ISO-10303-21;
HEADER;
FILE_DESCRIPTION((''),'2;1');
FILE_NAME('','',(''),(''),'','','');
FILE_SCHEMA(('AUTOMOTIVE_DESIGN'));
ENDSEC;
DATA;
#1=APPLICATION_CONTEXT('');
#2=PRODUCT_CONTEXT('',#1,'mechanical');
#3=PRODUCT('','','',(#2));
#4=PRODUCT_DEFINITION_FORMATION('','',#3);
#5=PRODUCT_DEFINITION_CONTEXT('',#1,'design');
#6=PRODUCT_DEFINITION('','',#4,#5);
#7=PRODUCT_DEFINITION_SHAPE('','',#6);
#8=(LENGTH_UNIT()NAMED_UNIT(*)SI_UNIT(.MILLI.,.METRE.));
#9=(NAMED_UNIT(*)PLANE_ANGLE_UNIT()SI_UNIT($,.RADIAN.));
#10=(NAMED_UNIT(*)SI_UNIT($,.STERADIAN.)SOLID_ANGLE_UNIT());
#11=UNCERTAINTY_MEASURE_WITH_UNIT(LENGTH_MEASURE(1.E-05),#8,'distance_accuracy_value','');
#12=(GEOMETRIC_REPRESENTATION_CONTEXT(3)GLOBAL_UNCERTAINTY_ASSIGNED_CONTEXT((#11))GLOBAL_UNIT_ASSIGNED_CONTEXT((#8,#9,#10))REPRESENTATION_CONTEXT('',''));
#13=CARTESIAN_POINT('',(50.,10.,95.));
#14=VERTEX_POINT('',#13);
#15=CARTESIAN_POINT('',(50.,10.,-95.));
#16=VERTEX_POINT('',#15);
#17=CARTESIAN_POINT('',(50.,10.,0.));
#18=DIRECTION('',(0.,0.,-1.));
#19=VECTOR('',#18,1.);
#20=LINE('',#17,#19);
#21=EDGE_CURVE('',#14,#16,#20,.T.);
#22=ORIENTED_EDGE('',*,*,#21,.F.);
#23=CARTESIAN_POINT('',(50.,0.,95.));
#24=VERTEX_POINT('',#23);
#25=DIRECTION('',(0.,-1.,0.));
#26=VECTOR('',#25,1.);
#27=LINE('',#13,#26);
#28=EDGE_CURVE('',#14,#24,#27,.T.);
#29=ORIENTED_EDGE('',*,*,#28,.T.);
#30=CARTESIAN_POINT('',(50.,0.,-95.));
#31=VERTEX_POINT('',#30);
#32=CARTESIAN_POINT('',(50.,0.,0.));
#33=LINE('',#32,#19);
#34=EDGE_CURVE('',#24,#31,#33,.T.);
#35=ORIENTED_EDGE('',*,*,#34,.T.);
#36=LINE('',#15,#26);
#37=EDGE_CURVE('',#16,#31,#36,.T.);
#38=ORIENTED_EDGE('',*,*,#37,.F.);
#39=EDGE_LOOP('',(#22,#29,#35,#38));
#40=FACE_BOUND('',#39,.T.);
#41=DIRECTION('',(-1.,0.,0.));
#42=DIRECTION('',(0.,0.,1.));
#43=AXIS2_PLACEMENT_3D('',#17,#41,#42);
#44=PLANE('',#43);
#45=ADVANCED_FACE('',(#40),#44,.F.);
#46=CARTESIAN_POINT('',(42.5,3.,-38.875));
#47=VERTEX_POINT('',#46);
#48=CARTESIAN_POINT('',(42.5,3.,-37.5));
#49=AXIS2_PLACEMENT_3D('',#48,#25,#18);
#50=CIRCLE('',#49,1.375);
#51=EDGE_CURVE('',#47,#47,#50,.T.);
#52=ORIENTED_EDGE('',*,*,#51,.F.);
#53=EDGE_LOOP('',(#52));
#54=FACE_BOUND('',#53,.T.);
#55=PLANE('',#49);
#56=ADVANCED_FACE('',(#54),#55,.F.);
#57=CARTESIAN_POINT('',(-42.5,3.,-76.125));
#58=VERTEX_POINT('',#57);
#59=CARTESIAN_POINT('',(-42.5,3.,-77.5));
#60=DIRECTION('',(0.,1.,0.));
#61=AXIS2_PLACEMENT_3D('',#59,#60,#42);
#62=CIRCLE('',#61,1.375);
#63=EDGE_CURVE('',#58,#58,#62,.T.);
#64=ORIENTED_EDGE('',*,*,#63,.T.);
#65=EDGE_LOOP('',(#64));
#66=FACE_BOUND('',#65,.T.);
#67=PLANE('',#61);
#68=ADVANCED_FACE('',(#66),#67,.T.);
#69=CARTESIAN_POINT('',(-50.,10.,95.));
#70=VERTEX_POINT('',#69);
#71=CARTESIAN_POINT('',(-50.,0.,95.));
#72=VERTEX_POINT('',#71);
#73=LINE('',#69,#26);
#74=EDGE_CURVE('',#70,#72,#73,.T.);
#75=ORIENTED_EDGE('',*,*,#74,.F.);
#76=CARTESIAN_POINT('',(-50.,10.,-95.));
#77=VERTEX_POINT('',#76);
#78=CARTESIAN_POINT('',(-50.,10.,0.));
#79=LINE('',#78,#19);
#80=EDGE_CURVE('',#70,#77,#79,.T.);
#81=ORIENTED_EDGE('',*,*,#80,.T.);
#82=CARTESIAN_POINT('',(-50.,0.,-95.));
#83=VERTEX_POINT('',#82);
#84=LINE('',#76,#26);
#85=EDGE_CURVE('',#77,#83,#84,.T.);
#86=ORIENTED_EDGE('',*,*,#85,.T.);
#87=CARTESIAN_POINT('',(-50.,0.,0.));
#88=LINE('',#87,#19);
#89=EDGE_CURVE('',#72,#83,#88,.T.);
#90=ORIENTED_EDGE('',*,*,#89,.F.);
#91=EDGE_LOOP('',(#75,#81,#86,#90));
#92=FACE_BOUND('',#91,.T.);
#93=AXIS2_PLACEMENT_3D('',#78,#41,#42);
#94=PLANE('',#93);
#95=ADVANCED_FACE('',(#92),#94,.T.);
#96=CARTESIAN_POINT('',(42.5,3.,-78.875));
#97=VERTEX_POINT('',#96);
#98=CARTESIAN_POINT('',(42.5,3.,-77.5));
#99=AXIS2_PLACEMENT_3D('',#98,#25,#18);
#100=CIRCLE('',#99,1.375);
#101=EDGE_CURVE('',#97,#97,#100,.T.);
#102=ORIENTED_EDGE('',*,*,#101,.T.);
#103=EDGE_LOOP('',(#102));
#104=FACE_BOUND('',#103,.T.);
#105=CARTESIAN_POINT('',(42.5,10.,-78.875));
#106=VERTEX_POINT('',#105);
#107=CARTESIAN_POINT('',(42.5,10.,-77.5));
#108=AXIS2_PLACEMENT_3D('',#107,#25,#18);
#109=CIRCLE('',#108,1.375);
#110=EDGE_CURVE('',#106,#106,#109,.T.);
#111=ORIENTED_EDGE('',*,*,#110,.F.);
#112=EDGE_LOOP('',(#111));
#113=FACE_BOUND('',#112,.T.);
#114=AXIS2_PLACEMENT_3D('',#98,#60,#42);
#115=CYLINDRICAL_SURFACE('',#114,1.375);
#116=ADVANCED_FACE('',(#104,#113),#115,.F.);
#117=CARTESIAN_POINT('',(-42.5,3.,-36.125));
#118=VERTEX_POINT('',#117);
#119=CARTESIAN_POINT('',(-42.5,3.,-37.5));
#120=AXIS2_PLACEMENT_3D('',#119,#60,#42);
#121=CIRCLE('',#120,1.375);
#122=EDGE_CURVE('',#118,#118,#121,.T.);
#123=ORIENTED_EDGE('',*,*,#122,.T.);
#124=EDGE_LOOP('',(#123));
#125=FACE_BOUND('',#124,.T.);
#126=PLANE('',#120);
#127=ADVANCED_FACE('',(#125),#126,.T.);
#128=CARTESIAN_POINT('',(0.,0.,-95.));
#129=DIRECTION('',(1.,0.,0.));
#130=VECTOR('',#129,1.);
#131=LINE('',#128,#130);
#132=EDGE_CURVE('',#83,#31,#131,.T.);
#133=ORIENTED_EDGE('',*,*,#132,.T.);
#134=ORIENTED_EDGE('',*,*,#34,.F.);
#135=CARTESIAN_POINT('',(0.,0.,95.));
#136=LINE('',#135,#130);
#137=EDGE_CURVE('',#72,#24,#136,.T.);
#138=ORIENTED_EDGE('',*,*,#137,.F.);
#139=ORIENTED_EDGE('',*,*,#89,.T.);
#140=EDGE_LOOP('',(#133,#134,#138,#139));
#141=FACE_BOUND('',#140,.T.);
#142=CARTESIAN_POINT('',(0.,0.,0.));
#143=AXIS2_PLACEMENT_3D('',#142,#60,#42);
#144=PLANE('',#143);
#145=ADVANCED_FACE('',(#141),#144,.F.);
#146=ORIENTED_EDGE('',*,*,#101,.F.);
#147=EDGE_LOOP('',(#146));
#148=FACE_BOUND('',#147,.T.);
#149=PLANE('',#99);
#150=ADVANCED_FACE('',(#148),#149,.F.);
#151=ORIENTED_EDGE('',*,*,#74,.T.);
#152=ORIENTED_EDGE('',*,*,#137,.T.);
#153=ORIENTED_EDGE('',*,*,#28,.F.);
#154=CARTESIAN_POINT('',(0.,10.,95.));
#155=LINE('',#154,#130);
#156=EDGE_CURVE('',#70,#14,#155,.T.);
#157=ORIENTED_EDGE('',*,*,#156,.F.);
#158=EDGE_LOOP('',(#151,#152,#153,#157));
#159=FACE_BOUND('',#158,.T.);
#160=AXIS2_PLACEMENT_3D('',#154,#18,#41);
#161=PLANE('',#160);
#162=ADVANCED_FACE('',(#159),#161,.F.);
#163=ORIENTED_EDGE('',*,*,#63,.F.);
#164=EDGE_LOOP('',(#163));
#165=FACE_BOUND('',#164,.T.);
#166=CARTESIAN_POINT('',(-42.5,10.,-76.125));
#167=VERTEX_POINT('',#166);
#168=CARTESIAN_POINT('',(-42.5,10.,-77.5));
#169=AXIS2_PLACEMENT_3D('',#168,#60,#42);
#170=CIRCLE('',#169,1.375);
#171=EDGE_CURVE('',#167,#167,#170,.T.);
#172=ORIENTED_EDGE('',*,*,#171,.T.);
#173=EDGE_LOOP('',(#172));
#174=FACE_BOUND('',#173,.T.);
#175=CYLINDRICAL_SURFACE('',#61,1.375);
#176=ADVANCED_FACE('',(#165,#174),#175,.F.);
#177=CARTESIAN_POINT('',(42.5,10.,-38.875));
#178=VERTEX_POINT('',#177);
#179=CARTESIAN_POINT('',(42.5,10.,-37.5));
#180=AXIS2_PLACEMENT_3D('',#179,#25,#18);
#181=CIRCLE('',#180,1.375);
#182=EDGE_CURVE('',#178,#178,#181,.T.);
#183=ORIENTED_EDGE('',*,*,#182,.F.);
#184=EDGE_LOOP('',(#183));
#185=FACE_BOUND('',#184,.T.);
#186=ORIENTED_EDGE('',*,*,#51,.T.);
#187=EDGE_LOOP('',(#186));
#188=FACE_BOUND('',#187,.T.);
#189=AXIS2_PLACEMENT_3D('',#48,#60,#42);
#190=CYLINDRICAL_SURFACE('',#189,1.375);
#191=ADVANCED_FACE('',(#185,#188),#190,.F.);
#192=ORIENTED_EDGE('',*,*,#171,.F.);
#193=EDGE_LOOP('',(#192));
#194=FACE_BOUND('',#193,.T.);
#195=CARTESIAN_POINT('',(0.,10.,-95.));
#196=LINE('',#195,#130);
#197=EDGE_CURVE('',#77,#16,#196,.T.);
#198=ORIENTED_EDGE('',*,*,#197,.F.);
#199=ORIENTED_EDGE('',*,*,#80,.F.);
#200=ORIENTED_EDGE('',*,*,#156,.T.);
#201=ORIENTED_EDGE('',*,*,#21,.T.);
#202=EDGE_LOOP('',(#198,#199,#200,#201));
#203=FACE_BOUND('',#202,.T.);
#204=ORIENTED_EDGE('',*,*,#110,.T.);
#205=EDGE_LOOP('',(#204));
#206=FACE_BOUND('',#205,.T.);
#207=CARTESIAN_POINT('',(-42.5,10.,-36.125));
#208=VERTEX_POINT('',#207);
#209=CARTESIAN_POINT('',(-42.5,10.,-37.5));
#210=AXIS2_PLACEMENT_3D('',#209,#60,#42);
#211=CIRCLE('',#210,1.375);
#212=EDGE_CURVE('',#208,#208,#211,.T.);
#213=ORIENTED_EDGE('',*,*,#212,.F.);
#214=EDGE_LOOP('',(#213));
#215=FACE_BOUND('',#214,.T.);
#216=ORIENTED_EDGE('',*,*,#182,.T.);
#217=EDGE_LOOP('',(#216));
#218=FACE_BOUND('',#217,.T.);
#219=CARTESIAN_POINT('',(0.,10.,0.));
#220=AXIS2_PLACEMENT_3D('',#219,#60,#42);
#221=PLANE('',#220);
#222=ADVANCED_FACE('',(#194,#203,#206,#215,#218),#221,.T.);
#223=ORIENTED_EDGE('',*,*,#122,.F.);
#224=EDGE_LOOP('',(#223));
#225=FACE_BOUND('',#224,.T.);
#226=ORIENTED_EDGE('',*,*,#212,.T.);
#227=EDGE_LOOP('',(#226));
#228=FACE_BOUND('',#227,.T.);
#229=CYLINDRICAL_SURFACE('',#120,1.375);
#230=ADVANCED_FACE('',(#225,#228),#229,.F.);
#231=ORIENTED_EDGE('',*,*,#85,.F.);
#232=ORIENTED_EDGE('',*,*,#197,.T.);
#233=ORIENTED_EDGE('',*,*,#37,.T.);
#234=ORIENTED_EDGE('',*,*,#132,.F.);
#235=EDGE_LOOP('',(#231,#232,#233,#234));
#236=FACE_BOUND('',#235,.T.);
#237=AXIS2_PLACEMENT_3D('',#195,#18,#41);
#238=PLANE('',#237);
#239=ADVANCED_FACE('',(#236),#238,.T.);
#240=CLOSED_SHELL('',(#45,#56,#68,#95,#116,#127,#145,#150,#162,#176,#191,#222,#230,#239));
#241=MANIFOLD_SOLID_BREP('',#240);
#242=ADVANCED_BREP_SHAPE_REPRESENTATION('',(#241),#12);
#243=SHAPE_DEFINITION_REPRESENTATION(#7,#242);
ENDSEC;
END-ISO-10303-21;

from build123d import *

# Parameters (mm, degrees)
SKETCH1_W           = 100
SKETCH1_H           = 190
BOSS_EXTRUDE1_DEPTH = 10
SKETCH2_R           = 1.375
CUT_EXTRUDE1_DEPTH  = 7


with BuildPart() as part:
    # Sketch1 → Boss-Extrude1 (new body)
    with BuildSketch(Plane(origin=(0, 0, 0), x_dir=(1, 0, 0), z_dir=(0, 1, 0))):
        Rectangle(SKETCH1_W, SKETCH1_H)
    extrude(amount=BOSS_EXTRUDE1_DEPTH)

    # Sketch2 → Cut-Extrude1 (cut)
    with BuildSketch(Plane(origin=(0, 10, 0), x_dir=(1, 0, 0), z_dir=(0, 1, 0))):
        with Locations(Location((-42.5, 77.5, 0), (0, 0, 270))):
            Circle(SKETCH2_R)
        with Locations(Location((-42.5, 37.5, 0), (0, 0, 270))):
            Circle(SKETCH2_R)
        with Locations(Location((42.5, 37.5, 0), (0, 0, 90))):
            Circle(SKETCH2_R)
        with Locations(Location((42.5, 77.5, 0), (0, 0, 90))):
            Circle(SKETCH2_R)
    extrude(amount=-CUT_EXTRUDE1_DEPTH, mode=Mode.SUBTRACT)


solid = part.part
